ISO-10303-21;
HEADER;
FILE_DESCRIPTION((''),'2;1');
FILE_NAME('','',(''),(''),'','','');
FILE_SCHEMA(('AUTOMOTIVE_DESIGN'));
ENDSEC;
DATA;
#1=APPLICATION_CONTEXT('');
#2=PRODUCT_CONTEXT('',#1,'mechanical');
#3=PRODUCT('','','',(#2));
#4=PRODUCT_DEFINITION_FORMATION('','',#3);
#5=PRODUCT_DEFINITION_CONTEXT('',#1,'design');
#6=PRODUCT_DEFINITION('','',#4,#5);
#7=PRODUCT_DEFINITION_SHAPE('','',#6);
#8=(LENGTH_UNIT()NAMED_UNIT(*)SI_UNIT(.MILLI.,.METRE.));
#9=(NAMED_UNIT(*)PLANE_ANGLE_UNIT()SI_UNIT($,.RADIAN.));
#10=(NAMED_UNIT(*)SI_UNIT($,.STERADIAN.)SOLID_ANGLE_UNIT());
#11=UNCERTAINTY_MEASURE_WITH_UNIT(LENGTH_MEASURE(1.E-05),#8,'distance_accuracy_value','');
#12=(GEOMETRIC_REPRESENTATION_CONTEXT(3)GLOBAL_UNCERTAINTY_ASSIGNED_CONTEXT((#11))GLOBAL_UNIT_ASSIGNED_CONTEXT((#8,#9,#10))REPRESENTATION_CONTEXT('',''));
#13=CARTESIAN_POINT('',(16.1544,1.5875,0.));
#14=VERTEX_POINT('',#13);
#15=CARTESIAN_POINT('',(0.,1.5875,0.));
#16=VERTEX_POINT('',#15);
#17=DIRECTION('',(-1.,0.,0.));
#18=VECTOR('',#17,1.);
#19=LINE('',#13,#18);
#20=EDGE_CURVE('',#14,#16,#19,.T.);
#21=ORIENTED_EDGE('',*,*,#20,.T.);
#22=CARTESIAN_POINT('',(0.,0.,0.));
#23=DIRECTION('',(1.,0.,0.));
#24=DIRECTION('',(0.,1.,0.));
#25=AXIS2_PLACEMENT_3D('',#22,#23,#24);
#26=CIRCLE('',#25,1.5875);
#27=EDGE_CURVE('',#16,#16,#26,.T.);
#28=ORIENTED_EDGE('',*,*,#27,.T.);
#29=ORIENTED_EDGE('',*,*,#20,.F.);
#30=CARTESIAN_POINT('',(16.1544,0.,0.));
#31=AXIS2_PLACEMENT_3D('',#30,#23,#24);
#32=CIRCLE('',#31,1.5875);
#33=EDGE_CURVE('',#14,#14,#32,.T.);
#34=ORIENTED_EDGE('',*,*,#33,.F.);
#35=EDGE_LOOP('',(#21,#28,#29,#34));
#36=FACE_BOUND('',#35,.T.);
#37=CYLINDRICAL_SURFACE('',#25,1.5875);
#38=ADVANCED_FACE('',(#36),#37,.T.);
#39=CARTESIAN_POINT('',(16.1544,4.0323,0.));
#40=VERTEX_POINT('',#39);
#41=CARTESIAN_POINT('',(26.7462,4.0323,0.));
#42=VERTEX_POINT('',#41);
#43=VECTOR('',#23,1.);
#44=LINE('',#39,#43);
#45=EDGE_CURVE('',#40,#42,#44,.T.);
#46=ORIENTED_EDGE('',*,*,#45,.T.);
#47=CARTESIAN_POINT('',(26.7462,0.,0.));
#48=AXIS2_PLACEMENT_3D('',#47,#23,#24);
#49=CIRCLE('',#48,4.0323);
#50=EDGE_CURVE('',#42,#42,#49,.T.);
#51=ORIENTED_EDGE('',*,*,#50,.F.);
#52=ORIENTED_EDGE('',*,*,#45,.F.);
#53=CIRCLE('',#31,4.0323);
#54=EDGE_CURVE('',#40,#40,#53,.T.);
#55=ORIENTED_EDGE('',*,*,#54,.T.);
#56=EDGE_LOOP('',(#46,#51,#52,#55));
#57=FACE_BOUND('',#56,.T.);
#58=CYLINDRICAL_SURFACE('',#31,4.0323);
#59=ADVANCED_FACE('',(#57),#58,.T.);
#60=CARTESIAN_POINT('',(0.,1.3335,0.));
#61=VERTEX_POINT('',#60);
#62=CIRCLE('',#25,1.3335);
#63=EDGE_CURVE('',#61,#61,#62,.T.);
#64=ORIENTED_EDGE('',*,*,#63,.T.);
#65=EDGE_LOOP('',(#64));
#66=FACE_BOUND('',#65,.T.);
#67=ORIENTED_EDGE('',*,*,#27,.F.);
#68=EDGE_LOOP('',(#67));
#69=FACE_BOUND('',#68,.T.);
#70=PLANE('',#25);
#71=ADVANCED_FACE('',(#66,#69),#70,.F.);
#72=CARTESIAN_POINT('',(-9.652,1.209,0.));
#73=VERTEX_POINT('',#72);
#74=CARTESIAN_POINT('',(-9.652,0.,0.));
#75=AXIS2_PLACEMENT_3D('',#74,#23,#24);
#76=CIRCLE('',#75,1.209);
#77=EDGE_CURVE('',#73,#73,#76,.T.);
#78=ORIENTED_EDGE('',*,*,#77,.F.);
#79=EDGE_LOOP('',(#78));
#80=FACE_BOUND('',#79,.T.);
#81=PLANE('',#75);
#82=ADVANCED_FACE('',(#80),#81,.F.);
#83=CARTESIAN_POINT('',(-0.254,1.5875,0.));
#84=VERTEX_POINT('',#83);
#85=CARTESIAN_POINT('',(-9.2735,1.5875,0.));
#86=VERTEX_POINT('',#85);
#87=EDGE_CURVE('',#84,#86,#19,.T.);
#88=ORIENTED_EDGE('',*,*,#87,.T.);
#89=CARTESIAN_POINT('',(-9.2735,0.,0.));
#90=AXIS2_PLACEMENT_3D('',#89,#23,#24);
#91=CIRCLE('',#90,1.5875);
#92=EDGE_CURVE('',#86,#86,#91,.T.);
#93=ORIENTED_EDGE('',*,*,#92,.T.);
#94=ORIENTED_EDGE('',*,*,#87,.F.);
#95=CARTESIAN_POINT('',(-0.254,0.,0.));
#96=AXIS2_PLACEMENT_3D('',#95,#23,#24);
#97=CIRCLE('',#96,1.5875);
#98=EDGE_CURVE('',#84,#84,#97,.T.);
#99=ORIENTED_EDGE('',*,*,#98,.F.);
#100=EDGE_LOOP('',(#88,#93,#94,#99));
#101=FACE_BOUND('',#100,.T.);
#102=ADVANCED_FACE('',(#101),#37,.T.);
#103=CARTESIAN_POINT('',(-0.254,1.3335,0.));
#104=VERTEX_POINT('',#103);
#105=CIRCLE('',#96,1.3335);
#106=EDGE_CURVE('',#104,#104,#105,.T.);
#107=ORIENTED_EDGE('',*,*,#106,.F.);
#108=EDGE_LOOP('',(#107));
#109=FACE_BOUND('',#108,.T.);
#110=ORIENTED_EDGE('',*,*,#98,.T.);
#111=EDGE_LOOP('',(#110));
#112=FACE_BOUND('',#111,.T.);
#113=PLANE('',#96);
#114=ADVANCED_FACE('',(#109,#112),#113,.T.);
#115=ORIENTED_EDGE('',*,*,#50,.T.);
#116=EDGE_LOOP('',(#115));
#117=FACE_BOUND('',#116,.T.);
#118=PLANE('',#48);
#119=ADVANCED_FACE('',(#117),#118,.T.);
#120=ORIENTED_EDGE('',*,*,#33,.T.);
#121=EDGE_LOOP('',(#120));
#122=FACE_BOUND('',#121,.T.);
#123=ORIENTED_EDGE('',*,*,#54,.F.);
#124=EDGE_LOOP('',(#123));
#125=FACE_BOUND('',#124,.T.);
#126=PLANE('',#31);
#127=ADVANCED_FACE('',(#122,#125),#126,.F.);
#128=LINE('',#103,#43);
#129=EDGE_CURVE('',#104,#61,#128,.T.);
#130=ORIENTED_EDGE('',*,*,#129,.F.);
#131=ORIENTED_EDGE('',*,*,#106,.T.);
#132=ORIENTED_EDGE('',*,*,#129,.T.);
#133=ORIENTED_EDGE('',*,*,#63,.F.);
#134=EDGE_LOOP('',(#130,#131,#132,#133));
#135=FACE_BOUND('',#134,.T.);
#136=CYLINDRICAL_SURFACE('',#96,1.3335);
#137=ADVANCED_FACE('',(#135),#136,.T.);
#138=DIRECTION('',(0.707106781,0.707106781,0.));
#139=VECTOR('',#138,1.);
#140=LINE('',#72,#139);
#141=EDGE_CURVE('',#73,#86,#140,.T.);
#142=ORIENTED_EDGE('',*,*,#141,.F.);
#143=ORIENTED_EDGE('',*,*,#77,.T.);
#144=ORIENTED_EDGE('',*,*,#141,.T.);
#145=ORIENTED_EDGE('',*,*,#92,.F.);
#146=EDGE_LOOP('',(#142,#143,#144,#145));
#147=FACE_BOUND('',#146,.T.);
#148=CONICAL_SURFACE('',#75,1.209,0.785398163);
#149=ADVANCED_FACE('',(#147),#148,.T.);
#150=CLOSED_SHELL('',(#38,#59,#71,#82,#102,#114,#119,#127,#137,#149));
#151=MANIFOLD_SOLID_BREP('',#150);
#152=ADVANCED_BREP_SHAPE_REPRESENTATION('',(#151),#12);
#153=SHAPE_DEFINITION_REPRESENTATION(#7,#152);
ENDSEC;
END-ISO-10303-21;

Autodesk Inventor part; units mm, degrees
sketch "Sketch_1" plane through (0, 0, 0) normal (0, 0, 1) x (1, 0, 0)
  line L0 (26.7462, 0) -> (0, 0)
  line L1 (0, 0) -> (0, 1.5875)
  line L2 (0, 1.5875) -> (16.1544, 1.5875)
  line L3 (16.1544, 1.5875) -> (16.1544, 4.0323)
  line L4 (16.1544, 4.0323) -> (26.7462, 4.0323)
  line L5 (26.7462, 4.0323) -> (26.7462, 0)
  line L6 (26.7462, 0) -> (0, 0)
revolve "Revolution1" add sketch "Sketch_1" angle 360 about axis through (26.7462, 0, 0) along (1, 0, 0)
sketch "Sketch_2" plane through (0, 0, 0) normal (0, 0, 1) x (1, 0, 0)
  line L0 (0, 0) -> (-9.652, 0)
  line L1 (-9.652, 0) -> (-9.652, 1.209)
  line L2 (-9.652, 1.209) -> (-9.2735, 1.5875)
  line L3 (-9.2735, 1.5875) -> (0, 1.5875)
  line L4 (0, 1.5875) -> (0, 0)
  line L5 (0, 0) -> (-9.652, 0)
revolve "Revolution2" add sketch "Sketch_2" angle 360 about axis through (0, 0, 0) along (1, 0, 0)
thread "Thread1" size "5-40 UNC" class "2A" standard "ANSI Unified Screw Threads" length 9.2735
sketch "Sketch_30" plane through (0, 0, 0) normal (0, 0, 1) x (1, 0, 0)
  line L0 (0, 0) -> (-0.254, 0)
  line L1 (-0.254, 1.3335) -> (0, 1.3335)
  line L2 (0, 1.3335) -> (0, 1.8415)
  line L3 (0, 1.8415) -> (-0.254, 1.8415)
  line L4 (-0.254, 1.8415) -> (-0.254, 1.3335)
revolve "Revolution3" cut sketch "Sketch_30" angle 360 about axis through (0, 0, 0) along (1, 0, 0)
ref_plane "dia1_XY" through (0, 1.5875, 0) normal (1, 0, 0) x (0, 0, -1)
ref_plane "dia1_YZ" through (0, 1.5875, 0) normal (0, 0, -1) x (0, 1, 0)
ref_plane "dia1_ZX" through (0, 1.5875, 0) normal (0, 1, 0) x (1, 0, 0)
ref_plane "dia12_XY" through (0, 0, 4.5593) normal (1, 0, 0) x (0, 0, -1)
ref_plane "dia12_YZ" through (0, 0, 4.5593) normal (0, 0, -1) x (0, 1, 0)
ref_plane "dia12_ZX" through (0, 0, 4.5593) normal (0, 1, 0) x (1, 0, 0)
ref_plane "dia2_XY" through (0, -1.5875, 0) normal (1, 0, 0) x (0, 0, -1)
ref_plane "dia2_YZ" through (0, -1.5875, 0) normal (0, 0, -1) x (0, 1, 0)
ref_plane "dia2_ZX" through (0, -1.5875, 0) normal (0, 1, 0) x (1, 0, 0)
ref_plane "dia22_XY" through (0, 0, -4.5593) normal (1, 0, 0) x (0, 0, -1)
ref_plane "dia22_YZ" through (0, 0, -4.5593) normal (0, 0, -1) x (0, 1, 0)
ref_plane "dia22_ZX" through (0, 0, -4.5593) normal (0, 1, 0) x (1, 0, 0)
ref_plane "rl1_XY" through (-9.652, 0, 0) normal (1, 0, 0) x (0, 0, -1)
ref_plane "rl1_YZ" through (-9.652, 0, 0) normal (0, 0, -1) x (0, 1, 0)
ref_plane "rl1_ZX" through (-9.652, 0, 0) normal (0, 1, 0) x (1, 0, 0)
ref_plane "rl2_XY" through (0, 0, 0) normal (1, 0, 0) x (0, 0, -1)
ref_plane "rl2_YZ" through (0, 0, 0) normal (0, 0, -1) x (0, 1, 0)
ref_plane "rl2_ZX" through (0, 0, 0) normal (0, 1, 0) x (1, 0, 0)
ref_plane "rod_cp_XY" through (0, 0, 0) normal (1, 0, 0) x (0, 0, -1)
ref_plane "rod_cp_YZ" through (0, 0, 0) normal (0, 0, -1) x (0, 1, 0)
ref_plane "rod_cp_ZX" through (0, 0, 0) normal (0, 1, 0) x (1, 0, 0)
ref_plane "thd1_XY" through (-9.652, 1.5875, 0) normal (1, 0, 0) x (0, 0, -1)
ref_plane "thd1_YZ" through (-9.652, 1.5875, 0) normal (0, 0, -1) x (0, 1, 0)
ref_plane "thd1_ZX" through (-9.652, 1.5875, 0) normal (0, 1, 0) x (1, 0, 0)
ref_plane "thd2_XY" through (-9.652, -1.5875, 0) normal (1, 0, 0) x (0, 0, -1)
ref_plane "thd2_YZ" through (-9.652, -1.5875, 0) normal (0, 0, -1) x (0, 1, 0)
ref_plane "thd2_ZX" through (-9.652, -1.5875, 0) normal (0, 1, 0) x (1, 0, 0)
ref_plane "to_rod_clevis_XY" through (-9.652, 0, 0) normal (1, 0, 0) x (0, 0, -1)
ref_plane "to_rod_clevis_YZ" through (-9.652, 0, 0) normal (0, 0, -1) x (0, 1, 0)
ref_plane "to_rod_clevis_ZX" through (-9.652, 0, 0) normal (0, 1, 0) x (1, 0, 0)
properties part number "0070.0110000_rod"
